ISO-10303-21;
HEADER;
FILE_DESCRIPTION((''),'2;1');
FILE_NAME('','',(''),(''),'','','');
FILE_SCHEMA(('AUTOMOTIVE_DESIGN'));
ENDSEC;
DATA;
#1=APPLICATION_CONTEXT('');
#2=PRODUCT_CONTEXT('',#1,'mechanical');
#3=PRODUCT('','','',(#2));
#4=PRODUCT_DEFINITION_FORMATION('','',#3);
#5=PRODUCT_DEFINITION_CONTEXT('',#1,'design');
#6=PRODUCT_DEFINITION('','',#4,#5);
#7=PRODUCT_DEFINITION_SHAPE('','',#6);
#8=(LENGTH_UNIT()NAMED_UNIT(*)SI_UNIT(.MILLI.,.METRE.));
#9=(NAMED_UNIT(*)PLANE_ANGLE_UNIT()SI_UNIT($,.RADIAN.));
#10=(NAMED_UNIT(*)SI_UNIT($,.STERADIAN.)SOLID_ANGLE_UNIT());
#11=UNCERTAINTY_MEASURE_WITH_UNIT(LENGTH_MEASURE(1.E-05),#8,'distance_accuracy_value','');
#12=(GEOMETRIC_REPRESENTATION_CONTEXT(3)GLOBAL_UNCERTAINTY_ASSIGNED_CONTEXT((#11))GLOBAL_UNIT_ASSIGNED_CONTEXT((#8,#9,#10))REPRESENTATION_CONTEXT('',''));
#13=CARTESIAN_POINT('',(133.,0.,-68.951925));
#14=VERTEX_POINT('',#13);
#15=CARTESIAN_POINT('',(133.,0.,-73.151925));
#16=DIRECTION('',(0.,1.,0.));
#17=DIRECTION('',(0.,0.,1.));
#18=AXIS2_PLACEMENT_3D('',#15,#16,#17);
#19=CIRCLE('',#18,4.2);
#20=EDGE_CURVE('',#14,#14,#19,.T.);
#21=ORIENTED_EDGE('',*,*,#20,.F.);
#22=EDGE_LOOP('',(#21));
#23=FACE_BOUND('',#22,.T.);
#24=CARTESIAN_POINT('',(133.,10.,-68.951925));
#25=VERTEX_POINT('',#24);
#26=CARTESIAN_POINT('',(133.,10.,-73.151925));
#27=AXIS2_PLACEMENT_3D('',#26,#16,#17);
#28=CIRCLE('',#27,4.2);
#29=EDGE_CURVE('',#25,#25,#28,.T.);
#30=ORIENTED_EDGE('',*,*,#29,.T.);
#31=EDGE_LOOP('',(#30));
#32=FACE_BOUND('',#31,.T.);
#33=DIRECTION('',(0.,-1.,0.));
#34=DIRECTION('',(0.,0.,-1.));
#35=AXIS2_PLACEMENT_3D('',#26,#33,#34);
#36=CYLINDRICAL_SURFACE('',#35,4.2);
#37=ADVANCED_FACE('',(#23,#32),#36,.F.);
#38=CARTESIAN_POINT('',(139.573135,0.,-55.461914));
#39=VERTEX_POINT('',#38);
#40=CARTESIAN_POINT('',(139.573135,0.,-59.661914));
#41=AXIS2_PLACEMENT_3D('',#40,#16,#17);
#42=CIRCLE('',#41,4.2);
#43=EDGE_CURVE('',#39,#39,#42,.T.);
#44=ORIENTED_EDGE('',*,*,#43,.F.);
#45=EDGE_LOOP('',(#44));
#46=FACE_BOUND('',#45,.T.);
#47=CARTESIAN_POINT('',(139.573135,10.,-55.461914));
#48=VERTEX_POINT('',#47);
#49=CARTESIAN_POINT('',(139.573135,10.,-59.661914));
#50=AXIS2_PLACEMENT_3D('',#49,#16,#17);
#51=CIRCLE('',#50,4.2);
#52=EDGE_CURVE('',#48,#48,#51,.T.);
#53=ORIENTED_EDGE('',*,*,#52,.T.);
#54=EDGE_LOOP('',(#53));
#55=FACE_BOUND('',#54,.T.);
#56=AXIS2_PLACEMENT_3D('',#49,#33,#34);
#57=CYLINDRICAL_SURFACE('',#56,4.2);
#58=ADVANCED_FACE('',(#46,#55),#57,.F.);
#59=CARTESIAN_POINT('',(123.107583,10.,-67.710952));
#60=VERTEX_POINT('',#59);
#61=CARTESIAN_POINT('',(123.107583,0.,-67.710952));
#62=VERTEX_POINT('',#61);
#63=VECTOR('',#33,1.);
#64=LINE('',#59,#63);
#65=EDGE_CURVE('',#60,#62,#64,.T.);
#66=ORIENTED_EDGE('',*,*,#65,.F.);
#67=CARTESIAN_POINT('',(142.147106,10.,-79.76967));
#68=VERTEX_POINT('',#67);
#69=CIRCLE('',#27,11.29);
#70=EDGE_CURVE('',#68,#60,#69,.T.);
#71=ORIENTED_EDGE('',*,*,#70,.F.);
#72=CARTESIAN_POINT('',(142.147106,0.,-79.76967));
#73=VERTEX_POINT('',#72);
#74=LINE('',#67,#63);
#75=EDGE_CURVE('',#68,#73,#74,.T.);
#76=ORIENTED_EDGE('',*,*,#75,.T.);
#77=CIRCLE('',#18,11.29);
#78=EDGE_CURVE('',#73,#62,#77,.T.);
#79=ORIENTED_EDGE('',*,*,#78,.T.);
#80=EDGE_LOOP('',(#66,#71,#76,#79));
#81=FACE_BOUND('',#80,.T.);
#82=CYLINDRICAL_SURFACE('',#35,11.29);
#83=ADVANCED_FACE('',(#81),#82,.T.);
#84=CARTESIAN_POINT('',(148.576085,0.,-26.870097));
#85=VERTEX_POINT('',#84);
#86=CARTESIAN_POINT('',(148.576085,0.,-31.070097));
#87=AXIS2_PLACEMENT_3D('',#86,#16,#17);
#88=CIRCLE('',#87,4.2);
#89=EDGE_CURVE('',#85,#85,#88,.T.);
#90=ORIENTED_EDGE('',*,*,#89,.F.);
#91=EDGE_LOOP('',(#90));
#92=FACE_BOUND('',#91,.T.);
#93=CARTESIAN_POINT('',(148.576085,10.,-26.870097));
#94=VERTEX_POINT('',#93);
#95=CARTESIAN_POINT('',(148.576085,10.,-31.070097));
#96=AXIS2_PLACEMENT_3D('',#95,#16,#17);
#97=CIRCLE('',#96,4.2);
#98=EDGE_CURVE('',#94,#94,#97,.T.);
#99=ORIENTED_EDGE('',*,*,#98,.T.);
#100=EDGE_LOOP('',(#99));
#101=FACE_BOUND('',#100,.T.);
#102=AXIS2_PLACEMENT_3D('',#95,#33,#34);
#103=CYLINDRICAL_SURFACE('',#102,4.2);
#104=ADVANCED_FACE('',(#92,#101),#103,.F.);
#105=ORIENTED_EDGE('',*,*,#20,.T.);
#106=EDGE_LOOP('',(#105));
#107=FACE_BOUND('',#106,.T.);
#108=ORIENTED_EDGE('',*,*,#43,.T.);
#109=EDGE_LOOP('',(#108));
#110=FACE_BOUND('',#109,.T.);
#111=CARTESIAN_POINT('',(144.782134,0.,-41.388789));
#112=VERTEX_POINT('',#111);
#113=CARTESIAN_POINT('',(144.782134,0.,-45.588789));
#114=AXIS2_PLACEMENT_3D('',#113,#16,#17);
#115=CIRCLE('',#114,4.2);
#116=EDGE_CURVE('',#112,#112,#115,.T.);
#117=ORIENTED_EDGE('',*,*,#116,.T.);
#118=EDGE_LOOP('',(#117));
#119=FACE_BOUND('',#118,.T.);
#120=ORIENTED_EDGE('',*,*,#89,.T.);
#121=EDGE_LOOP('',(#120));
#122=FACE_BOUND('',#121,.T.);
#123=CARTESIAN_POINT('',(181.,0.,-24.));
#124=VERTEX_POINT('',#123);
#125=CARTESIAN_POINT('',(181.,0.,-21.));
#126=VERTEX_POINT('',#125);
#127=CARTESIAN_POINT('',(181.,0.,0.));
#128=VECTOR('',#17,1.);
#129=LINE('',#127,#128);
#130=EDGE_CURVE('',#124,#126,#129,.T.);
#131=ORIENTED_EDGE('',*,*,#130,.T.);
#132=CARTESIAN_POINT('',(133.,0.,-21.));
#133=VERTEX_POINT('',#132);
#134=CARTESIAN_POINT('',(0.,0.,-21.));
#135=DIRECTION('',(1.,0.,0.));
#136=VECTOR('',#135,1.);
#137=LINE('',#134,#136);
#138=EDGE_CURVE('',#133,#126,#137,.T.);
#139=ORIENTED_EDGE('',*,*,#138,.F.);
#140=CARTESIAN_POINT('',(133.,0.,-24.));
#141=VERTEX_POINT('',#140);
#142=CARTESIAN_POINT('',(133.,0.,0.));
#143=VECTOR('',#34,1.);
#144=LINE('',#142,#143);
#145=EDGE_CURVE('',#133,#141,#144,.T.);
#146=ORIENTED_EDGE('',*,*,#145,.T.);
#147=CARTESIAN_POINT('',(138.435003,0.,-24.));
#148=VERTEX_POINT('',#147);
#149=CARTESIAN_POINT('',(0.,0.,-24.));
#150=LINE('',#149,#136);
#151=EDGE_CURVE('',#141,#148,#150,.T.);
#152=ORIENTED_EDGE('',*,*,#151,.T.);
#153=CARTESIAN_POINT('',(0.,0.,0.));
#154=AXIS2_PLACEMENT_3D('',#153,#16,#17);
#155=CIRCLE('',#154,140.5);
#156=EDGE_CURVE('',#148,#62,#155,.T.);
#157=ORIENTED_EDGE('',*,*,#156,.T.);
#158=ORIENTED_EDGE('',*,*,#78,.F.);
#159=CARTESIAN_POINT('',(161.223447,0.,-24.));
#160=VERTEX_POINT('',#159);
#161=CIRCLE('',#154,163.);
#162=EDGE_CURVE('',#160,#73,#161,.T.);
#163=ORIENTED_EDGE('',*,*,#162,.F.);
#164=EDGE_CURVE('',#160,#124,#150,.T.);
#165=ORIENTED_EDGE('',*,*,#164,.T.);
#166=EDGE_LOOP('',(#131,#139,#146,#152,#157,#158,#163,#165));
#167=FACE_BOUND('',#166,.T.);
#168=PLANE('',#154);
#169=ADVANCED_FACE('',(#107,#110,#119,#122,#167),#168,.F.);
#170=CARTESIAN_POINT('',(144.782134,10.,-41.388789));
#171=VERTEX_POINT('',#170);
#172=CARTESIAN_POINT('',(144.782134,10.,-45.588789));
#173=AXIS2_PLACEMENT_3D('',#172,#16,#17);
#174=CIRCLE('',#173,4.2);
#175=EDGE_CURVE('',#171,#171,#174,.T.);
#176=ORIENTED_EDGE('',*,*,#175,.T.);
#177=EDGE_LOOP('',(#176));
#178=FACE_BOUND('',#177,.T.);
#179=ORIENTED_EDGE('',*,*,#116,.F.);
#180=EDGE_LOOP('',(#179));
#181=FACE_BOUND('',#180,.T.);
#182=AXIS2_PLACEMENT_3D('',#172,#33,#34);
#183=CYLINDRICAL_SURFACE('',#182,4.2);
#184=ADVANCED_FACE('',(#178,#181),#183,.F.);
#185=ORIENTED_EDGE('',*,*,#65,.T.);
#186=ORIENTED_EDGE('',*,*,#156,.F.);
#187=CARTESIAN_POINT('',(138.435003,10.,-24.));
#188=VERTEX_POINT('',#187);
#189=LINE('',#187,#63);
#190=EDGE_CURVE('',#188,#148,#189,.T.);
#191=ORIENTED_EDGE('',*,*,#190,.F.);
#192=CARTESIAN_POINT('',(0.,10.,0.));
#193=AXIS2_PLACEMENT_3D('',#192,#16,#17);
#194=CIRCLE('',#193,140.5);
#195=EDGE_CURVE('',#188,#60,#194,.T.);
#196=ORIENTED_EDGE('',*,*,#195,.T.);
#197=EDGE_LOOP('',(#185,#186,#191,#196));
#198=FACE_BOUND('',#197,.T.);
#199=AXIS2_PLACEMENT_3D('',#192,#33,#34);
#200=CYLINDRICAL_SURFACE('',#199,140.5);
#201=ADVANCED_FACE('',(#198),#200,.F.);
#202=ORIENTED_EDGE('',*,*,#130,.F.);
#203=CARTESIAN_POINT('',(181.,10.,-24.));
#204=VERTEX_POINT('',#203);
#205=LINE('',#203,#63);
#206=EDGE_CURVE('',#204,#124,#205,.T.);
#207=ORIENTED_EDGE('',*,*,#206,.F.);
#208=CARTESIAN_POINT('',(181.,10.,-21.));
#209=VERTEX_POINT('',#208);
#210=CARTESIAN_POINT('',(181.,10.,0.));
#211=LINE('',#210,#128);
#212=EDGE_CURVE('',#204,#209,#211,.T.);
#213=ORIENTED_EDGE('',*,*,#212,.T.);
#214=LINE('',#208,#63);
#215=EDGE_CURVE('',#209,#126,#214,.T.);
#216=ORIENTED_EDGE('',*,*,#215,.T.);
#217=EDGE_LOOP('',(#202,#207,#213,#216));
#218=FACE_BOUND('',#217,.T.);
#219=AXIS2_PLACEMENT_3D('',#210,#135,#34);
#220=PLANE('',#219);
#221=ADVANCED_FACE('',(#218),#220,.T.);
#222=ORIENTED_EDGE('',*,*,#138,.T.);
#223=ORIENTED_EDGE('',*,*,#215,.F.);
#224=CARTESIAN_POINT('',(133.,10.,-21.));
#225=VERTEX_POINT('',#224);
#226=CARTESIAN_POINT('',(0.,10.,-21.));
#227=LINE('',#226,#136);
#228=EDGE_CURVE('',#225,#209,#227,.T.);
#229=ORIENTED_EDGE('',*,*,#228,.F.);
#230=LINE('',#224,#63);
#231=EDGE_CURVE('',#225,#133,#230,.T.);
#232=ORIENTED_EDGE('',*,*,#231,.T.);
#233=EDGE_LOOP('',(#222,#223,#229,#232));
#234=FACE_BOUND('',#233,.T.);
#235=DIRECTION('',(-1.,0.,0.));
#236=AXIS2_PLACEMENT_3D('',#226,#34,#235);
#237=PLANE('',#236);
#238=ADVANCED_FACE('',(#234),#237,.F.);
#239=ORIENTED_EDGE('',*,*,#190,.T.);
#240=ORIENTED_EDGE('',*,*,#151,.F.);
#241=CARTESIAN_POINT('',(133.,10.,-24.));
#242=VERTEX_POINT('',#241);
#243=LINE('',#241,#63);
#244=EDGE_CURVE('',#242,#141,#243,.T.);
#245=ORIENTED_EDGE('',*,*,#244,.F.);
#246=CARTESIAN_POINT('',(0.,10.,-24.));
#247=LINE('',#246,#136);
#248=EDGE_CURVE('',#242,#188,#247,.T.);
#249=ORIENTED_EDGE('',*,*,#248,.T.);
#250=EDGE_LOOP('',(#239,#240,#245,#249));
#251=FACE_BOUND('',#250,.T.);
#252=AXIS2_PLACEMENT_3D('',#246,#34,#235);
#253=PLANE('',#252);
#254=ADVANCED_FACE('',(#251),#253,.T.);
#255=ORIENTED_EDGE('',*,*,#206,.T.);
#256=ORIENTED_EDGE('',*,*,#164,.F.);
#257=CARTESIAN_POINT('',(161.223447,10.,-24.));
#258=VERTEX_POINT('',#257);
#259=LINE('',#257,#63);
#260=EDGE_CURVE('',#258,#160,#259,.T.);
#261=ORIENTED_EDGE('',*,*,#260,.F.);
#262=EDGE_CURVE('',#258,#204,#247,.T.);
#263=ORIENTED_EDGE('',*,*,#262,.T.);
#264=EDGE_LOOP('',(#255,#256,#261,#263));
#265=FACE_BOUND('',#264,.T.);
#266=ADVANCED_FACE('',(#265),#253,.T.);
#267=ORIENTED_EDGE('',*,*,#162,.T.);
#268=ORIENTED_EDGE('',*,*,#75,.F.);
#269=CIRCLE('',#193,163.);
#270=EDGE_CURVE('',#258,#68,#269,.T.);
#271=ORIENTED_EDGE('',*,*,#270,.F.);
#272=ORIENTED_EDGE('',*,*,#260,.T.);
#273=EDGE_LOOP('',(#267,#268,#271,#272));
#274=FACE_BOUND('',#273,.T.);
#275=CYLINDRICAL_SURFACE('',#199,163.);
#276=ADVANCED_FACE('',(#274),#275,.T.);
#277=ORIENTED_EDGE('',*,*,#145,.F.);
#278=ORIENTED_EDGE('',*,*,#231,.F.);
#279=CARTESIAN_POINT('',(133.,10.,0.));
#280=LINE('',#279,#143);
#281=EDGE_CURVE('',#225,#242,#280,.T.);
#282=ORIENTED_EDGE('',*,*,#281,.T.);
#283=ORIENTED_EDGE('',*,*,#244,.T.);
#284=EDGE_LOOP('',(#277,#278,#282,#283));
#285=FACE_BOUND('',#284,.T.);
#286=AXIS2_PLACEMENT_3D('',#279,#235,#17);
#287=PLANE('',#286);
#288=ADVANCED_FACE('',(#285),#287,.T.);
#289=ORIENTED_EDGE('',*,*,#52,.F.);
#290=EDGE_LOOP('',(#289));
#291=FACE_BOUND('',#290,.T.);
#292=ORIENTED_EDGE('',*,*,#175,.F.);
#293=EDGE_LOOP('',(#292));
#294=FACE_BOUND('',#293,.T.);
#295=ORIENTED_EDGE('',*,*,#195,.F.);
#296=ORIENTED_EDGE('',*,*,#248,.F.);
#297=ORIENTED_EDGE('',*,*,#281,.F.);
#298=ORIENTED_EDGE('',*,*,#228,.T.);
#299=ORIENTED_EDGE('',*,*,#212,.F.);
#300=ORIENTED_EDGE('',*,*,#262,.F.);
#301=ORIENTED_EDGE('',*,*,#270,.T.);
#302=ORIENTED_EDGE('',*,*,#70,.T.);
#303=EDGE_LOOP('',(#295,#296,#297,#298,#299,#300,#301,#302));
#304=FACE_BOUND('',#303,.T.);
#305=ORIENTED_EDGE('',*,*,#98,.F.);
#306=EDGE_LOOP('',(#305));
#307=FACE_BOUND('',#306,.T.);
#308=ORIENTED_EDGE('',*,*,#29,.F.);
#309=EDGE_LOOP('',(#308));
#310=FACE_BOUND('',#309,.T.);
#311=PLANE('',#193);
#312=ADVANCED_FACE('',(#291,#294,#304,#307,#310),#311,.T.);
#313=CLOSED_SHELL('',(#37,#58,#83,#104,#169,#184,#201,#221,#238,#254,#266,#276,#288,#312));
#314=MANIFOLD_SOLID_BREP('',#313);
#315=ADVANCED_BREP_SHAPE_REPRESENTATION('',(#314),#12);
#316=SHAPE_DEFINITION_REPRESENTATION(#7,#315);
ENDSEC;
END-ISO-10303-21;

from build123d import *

# Parameters (mm, degrees)
SKETCH1_R           = 4.2
BOSS_EXTRUDE1_DEPTH = 10


with BuildPart() as part:
    # Sketch1 → Boss-Extrude1 (new body)
    with BuildSketch(Plane(origin=(0, 0, 0), x_dir=(1, 0, 0), z_dir=(0, 1, 0))):
        with BuildLine():
            Line((133, 24), (133, 21))
            Line((133, 21), (173, 21))
            Line((173, 21), (181, 21))
            Line((181, 21), (181, 24))
            Line((181, 24), (173, 24))
            Line((173, 24), (161.223447426, 24))
            ThreePointArc((161.223447426, 24), (154.671414284, 51.436889518), (143.48714405, 77.333301316))
            ThreePointArc((143.48714405, 77.333301316), (142.822320311, 78.554343107), (142.147106039, 79.769669954))
            ThreePointArc((142.147106039, 79.769669954), (126.959135765, 82.689852197), (123.107582845, 67.710952187))
            ThreePointArc((123.107582845, 67.710952187), (132.585040112, 46.491473825), (138.435002799, 24))
            Line((138.435002799, 24), (133, 24))
        make_face()
        with Locations(Location((148.576085497, 31.070096853, 0), (0, 0, 270))):
            Circle(SKETCH1_R, mode=Mode.SUBTRACT)
        with Locations(Location((144.782134175, 45.588789451, 0), (0, 0, 270))):
            Circle(SKETCH1_R, mode=Mode.SUBTRACT)
        with Locations(Location((139.573135396, 59.661913947, 0), (0, 0, 270))):
            Circle(SKETCH1_R, mode=Mode.SUBTRACT)
        with BuildLine():
            ThreePointArc((129.319915673, 71.127825148), (130.975900362, 76.832009114), (136.680084327, 75.176024425))
            ThreePointArc((136.680084327, 75.176024425), (137.067945069, 74.19682809), (137.2, 73.151924787))
            ThreePointArc((137.2, 73.151924787), (134.044903303, 69.083979717), (129.319915673, 71.127825148))
        make_face(mode=Mode.SUBTRACT)
    extrude(amount=BOSS_EXTRUDE1_DEPTH)


solid = part.part
